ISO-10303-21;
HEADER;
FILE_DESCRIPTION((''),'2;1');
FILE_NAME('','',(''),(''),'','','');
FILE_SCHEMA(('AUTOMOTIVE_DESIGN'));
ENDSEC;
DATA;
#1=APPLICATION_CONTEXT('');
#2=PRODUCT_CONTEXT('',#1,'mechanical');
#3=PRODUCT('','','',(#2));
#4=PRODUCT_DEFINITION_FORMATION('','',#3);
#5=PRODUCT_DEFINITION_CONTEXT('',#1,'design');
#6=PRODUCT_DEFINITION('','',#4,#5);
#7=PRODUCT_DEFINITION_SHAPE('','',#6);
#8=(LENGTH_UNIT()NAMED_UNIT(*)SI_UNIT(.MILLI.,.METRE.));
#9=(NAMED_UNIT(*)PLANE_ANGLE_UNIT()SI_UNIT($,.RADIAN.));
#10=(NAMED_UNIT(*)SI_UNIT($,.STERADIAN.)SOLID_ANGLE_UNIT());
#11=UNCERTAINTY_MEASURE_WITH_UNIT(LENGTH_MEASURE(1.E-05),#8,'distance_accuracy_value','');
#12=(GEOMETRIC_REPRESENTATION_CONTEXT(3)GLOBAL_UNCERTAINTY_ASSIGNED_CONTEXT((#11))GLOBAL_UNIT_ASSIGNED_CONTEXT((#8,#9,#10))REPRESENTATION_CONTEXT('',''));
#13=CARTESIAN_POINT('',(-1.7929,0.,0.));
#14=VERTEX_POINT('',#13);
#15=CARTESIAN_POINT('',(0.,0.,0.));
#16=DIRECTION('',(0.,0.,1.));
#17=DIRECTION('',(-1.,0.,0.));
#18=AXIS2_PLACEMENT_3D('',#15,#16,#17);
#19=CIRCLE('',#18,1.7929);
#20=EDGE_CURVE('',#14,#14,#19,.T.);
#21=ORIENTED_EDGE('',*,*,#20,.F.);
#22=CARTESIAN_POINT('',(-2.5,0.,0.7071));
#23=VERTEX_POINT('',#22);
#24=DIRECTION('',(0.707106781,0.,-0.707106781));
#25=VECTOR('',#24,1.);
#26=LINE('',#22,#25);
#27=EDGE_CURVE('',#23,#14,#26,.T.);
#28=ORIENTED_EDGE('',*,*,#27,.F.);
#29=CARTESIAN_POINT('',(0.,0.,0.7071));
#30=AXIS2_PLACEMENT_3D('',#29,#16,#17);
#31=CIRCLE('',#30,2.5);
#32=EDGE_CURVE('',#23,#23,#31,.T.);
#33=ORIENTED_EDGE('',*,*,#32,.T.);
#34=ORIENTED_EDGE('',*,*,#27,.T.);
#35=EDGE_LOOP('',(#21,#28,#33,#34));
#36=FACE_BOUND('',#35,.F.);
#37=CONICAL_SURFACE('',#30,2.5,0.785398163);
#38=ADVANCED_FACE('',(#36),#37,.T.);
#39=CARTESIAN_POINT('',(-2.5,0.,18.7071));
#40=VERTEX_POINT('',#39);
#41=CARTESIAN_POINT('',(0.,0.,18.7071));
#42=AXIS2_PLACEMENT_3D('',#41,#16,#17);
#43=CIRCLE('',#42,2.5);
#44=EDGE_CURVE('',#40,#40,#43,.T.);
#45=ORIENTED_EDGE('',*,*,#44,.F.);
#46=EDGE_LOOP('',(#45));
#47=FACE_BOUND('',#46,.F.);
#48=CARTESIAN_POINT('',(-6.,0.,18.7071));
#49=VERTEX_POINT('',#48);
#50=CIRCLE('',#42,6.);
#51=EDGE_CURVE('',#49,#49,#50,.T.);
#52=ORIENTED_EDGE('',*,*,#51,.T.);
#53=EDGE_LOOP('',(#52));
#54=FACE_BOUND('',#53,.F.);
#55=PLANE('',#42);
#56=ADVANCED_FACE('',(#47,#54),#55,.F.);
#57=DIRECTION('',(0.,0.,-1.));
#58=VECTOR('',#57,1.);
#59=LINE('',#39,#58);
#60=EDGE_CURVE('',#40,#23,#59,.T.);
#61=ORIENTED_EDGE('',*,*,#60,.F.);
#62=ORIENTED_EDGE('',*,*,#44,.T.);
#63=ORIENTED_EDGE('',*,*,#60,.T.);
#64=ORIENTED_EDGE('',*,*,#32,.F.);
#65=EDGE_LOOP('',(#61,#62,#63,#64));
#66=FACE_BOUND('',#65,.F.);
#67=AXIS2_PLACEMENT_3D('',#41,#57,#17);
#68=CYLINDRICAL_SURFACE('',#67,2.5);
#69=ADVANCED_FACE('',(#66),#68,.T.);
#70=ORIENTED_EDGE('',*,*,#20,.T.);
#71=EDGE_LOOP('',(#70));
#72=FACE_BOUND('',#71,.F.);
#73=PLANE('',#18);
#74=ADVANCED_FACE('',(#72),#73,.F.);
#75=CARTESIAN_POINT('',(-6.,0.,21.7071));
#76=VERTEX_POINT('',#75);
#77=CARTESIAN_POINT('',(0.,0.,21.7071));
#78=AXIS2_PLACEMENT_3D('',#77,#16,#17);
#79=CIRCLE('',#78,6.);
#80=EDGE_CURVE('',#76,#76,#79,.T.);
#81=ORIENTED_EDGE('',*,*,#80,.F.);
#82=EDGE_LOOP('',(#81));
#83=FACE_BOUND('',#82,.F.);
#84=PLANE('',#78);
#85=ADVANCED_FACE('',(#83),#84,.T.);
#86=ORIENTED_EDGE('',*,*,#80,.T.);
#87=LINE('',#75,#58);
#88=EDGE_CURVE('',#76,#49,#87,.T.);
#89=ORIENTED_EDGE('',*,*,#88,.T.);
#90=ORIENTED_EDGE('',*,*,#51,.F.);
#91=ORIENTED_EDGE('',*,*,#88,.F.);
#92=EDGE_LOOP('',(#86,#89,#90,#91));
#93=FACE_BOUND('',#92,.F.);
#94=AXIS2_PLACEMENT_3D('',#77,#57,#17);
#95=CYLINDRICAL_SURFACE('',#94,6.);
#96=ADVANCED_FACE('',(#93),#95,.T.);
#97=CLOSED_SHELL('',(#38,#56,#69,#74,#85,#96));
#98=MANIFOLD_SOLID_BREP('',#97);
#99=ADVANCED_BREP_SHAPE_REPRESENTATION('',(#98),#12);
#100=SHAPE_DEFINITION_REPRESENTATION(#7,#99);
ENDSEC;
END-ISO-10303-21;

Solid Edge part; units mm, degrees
sketch "Sketch1" plane through (0, 0, 0) normal (0, -1, 0) x (1, 0, 0)
  line L0 (0, 21.7071) -> (-6, 21.7071)
  line L1 (-6, 21.7071) -> (-6, 18.7071)
  line L2 (-6, 18.7071) -> (-2.5, 18.7071)
  line L3 (-2.5, 18.7071) -> (-2.5, 0.7071)
  line L4 (-2.5, 0.7071) -> (-1.7929, 0)
  line L5 (-1.7929, 0) -> (0, 0)
  dimension "D1" = 1
  dimension "D2" = 18
  dimension "D3" = 3
revolve "RevolvedProtrusion1" add sketch "Sketch1" angle 360 about axis through (0, 0, 0) along (0, 0, 1)
